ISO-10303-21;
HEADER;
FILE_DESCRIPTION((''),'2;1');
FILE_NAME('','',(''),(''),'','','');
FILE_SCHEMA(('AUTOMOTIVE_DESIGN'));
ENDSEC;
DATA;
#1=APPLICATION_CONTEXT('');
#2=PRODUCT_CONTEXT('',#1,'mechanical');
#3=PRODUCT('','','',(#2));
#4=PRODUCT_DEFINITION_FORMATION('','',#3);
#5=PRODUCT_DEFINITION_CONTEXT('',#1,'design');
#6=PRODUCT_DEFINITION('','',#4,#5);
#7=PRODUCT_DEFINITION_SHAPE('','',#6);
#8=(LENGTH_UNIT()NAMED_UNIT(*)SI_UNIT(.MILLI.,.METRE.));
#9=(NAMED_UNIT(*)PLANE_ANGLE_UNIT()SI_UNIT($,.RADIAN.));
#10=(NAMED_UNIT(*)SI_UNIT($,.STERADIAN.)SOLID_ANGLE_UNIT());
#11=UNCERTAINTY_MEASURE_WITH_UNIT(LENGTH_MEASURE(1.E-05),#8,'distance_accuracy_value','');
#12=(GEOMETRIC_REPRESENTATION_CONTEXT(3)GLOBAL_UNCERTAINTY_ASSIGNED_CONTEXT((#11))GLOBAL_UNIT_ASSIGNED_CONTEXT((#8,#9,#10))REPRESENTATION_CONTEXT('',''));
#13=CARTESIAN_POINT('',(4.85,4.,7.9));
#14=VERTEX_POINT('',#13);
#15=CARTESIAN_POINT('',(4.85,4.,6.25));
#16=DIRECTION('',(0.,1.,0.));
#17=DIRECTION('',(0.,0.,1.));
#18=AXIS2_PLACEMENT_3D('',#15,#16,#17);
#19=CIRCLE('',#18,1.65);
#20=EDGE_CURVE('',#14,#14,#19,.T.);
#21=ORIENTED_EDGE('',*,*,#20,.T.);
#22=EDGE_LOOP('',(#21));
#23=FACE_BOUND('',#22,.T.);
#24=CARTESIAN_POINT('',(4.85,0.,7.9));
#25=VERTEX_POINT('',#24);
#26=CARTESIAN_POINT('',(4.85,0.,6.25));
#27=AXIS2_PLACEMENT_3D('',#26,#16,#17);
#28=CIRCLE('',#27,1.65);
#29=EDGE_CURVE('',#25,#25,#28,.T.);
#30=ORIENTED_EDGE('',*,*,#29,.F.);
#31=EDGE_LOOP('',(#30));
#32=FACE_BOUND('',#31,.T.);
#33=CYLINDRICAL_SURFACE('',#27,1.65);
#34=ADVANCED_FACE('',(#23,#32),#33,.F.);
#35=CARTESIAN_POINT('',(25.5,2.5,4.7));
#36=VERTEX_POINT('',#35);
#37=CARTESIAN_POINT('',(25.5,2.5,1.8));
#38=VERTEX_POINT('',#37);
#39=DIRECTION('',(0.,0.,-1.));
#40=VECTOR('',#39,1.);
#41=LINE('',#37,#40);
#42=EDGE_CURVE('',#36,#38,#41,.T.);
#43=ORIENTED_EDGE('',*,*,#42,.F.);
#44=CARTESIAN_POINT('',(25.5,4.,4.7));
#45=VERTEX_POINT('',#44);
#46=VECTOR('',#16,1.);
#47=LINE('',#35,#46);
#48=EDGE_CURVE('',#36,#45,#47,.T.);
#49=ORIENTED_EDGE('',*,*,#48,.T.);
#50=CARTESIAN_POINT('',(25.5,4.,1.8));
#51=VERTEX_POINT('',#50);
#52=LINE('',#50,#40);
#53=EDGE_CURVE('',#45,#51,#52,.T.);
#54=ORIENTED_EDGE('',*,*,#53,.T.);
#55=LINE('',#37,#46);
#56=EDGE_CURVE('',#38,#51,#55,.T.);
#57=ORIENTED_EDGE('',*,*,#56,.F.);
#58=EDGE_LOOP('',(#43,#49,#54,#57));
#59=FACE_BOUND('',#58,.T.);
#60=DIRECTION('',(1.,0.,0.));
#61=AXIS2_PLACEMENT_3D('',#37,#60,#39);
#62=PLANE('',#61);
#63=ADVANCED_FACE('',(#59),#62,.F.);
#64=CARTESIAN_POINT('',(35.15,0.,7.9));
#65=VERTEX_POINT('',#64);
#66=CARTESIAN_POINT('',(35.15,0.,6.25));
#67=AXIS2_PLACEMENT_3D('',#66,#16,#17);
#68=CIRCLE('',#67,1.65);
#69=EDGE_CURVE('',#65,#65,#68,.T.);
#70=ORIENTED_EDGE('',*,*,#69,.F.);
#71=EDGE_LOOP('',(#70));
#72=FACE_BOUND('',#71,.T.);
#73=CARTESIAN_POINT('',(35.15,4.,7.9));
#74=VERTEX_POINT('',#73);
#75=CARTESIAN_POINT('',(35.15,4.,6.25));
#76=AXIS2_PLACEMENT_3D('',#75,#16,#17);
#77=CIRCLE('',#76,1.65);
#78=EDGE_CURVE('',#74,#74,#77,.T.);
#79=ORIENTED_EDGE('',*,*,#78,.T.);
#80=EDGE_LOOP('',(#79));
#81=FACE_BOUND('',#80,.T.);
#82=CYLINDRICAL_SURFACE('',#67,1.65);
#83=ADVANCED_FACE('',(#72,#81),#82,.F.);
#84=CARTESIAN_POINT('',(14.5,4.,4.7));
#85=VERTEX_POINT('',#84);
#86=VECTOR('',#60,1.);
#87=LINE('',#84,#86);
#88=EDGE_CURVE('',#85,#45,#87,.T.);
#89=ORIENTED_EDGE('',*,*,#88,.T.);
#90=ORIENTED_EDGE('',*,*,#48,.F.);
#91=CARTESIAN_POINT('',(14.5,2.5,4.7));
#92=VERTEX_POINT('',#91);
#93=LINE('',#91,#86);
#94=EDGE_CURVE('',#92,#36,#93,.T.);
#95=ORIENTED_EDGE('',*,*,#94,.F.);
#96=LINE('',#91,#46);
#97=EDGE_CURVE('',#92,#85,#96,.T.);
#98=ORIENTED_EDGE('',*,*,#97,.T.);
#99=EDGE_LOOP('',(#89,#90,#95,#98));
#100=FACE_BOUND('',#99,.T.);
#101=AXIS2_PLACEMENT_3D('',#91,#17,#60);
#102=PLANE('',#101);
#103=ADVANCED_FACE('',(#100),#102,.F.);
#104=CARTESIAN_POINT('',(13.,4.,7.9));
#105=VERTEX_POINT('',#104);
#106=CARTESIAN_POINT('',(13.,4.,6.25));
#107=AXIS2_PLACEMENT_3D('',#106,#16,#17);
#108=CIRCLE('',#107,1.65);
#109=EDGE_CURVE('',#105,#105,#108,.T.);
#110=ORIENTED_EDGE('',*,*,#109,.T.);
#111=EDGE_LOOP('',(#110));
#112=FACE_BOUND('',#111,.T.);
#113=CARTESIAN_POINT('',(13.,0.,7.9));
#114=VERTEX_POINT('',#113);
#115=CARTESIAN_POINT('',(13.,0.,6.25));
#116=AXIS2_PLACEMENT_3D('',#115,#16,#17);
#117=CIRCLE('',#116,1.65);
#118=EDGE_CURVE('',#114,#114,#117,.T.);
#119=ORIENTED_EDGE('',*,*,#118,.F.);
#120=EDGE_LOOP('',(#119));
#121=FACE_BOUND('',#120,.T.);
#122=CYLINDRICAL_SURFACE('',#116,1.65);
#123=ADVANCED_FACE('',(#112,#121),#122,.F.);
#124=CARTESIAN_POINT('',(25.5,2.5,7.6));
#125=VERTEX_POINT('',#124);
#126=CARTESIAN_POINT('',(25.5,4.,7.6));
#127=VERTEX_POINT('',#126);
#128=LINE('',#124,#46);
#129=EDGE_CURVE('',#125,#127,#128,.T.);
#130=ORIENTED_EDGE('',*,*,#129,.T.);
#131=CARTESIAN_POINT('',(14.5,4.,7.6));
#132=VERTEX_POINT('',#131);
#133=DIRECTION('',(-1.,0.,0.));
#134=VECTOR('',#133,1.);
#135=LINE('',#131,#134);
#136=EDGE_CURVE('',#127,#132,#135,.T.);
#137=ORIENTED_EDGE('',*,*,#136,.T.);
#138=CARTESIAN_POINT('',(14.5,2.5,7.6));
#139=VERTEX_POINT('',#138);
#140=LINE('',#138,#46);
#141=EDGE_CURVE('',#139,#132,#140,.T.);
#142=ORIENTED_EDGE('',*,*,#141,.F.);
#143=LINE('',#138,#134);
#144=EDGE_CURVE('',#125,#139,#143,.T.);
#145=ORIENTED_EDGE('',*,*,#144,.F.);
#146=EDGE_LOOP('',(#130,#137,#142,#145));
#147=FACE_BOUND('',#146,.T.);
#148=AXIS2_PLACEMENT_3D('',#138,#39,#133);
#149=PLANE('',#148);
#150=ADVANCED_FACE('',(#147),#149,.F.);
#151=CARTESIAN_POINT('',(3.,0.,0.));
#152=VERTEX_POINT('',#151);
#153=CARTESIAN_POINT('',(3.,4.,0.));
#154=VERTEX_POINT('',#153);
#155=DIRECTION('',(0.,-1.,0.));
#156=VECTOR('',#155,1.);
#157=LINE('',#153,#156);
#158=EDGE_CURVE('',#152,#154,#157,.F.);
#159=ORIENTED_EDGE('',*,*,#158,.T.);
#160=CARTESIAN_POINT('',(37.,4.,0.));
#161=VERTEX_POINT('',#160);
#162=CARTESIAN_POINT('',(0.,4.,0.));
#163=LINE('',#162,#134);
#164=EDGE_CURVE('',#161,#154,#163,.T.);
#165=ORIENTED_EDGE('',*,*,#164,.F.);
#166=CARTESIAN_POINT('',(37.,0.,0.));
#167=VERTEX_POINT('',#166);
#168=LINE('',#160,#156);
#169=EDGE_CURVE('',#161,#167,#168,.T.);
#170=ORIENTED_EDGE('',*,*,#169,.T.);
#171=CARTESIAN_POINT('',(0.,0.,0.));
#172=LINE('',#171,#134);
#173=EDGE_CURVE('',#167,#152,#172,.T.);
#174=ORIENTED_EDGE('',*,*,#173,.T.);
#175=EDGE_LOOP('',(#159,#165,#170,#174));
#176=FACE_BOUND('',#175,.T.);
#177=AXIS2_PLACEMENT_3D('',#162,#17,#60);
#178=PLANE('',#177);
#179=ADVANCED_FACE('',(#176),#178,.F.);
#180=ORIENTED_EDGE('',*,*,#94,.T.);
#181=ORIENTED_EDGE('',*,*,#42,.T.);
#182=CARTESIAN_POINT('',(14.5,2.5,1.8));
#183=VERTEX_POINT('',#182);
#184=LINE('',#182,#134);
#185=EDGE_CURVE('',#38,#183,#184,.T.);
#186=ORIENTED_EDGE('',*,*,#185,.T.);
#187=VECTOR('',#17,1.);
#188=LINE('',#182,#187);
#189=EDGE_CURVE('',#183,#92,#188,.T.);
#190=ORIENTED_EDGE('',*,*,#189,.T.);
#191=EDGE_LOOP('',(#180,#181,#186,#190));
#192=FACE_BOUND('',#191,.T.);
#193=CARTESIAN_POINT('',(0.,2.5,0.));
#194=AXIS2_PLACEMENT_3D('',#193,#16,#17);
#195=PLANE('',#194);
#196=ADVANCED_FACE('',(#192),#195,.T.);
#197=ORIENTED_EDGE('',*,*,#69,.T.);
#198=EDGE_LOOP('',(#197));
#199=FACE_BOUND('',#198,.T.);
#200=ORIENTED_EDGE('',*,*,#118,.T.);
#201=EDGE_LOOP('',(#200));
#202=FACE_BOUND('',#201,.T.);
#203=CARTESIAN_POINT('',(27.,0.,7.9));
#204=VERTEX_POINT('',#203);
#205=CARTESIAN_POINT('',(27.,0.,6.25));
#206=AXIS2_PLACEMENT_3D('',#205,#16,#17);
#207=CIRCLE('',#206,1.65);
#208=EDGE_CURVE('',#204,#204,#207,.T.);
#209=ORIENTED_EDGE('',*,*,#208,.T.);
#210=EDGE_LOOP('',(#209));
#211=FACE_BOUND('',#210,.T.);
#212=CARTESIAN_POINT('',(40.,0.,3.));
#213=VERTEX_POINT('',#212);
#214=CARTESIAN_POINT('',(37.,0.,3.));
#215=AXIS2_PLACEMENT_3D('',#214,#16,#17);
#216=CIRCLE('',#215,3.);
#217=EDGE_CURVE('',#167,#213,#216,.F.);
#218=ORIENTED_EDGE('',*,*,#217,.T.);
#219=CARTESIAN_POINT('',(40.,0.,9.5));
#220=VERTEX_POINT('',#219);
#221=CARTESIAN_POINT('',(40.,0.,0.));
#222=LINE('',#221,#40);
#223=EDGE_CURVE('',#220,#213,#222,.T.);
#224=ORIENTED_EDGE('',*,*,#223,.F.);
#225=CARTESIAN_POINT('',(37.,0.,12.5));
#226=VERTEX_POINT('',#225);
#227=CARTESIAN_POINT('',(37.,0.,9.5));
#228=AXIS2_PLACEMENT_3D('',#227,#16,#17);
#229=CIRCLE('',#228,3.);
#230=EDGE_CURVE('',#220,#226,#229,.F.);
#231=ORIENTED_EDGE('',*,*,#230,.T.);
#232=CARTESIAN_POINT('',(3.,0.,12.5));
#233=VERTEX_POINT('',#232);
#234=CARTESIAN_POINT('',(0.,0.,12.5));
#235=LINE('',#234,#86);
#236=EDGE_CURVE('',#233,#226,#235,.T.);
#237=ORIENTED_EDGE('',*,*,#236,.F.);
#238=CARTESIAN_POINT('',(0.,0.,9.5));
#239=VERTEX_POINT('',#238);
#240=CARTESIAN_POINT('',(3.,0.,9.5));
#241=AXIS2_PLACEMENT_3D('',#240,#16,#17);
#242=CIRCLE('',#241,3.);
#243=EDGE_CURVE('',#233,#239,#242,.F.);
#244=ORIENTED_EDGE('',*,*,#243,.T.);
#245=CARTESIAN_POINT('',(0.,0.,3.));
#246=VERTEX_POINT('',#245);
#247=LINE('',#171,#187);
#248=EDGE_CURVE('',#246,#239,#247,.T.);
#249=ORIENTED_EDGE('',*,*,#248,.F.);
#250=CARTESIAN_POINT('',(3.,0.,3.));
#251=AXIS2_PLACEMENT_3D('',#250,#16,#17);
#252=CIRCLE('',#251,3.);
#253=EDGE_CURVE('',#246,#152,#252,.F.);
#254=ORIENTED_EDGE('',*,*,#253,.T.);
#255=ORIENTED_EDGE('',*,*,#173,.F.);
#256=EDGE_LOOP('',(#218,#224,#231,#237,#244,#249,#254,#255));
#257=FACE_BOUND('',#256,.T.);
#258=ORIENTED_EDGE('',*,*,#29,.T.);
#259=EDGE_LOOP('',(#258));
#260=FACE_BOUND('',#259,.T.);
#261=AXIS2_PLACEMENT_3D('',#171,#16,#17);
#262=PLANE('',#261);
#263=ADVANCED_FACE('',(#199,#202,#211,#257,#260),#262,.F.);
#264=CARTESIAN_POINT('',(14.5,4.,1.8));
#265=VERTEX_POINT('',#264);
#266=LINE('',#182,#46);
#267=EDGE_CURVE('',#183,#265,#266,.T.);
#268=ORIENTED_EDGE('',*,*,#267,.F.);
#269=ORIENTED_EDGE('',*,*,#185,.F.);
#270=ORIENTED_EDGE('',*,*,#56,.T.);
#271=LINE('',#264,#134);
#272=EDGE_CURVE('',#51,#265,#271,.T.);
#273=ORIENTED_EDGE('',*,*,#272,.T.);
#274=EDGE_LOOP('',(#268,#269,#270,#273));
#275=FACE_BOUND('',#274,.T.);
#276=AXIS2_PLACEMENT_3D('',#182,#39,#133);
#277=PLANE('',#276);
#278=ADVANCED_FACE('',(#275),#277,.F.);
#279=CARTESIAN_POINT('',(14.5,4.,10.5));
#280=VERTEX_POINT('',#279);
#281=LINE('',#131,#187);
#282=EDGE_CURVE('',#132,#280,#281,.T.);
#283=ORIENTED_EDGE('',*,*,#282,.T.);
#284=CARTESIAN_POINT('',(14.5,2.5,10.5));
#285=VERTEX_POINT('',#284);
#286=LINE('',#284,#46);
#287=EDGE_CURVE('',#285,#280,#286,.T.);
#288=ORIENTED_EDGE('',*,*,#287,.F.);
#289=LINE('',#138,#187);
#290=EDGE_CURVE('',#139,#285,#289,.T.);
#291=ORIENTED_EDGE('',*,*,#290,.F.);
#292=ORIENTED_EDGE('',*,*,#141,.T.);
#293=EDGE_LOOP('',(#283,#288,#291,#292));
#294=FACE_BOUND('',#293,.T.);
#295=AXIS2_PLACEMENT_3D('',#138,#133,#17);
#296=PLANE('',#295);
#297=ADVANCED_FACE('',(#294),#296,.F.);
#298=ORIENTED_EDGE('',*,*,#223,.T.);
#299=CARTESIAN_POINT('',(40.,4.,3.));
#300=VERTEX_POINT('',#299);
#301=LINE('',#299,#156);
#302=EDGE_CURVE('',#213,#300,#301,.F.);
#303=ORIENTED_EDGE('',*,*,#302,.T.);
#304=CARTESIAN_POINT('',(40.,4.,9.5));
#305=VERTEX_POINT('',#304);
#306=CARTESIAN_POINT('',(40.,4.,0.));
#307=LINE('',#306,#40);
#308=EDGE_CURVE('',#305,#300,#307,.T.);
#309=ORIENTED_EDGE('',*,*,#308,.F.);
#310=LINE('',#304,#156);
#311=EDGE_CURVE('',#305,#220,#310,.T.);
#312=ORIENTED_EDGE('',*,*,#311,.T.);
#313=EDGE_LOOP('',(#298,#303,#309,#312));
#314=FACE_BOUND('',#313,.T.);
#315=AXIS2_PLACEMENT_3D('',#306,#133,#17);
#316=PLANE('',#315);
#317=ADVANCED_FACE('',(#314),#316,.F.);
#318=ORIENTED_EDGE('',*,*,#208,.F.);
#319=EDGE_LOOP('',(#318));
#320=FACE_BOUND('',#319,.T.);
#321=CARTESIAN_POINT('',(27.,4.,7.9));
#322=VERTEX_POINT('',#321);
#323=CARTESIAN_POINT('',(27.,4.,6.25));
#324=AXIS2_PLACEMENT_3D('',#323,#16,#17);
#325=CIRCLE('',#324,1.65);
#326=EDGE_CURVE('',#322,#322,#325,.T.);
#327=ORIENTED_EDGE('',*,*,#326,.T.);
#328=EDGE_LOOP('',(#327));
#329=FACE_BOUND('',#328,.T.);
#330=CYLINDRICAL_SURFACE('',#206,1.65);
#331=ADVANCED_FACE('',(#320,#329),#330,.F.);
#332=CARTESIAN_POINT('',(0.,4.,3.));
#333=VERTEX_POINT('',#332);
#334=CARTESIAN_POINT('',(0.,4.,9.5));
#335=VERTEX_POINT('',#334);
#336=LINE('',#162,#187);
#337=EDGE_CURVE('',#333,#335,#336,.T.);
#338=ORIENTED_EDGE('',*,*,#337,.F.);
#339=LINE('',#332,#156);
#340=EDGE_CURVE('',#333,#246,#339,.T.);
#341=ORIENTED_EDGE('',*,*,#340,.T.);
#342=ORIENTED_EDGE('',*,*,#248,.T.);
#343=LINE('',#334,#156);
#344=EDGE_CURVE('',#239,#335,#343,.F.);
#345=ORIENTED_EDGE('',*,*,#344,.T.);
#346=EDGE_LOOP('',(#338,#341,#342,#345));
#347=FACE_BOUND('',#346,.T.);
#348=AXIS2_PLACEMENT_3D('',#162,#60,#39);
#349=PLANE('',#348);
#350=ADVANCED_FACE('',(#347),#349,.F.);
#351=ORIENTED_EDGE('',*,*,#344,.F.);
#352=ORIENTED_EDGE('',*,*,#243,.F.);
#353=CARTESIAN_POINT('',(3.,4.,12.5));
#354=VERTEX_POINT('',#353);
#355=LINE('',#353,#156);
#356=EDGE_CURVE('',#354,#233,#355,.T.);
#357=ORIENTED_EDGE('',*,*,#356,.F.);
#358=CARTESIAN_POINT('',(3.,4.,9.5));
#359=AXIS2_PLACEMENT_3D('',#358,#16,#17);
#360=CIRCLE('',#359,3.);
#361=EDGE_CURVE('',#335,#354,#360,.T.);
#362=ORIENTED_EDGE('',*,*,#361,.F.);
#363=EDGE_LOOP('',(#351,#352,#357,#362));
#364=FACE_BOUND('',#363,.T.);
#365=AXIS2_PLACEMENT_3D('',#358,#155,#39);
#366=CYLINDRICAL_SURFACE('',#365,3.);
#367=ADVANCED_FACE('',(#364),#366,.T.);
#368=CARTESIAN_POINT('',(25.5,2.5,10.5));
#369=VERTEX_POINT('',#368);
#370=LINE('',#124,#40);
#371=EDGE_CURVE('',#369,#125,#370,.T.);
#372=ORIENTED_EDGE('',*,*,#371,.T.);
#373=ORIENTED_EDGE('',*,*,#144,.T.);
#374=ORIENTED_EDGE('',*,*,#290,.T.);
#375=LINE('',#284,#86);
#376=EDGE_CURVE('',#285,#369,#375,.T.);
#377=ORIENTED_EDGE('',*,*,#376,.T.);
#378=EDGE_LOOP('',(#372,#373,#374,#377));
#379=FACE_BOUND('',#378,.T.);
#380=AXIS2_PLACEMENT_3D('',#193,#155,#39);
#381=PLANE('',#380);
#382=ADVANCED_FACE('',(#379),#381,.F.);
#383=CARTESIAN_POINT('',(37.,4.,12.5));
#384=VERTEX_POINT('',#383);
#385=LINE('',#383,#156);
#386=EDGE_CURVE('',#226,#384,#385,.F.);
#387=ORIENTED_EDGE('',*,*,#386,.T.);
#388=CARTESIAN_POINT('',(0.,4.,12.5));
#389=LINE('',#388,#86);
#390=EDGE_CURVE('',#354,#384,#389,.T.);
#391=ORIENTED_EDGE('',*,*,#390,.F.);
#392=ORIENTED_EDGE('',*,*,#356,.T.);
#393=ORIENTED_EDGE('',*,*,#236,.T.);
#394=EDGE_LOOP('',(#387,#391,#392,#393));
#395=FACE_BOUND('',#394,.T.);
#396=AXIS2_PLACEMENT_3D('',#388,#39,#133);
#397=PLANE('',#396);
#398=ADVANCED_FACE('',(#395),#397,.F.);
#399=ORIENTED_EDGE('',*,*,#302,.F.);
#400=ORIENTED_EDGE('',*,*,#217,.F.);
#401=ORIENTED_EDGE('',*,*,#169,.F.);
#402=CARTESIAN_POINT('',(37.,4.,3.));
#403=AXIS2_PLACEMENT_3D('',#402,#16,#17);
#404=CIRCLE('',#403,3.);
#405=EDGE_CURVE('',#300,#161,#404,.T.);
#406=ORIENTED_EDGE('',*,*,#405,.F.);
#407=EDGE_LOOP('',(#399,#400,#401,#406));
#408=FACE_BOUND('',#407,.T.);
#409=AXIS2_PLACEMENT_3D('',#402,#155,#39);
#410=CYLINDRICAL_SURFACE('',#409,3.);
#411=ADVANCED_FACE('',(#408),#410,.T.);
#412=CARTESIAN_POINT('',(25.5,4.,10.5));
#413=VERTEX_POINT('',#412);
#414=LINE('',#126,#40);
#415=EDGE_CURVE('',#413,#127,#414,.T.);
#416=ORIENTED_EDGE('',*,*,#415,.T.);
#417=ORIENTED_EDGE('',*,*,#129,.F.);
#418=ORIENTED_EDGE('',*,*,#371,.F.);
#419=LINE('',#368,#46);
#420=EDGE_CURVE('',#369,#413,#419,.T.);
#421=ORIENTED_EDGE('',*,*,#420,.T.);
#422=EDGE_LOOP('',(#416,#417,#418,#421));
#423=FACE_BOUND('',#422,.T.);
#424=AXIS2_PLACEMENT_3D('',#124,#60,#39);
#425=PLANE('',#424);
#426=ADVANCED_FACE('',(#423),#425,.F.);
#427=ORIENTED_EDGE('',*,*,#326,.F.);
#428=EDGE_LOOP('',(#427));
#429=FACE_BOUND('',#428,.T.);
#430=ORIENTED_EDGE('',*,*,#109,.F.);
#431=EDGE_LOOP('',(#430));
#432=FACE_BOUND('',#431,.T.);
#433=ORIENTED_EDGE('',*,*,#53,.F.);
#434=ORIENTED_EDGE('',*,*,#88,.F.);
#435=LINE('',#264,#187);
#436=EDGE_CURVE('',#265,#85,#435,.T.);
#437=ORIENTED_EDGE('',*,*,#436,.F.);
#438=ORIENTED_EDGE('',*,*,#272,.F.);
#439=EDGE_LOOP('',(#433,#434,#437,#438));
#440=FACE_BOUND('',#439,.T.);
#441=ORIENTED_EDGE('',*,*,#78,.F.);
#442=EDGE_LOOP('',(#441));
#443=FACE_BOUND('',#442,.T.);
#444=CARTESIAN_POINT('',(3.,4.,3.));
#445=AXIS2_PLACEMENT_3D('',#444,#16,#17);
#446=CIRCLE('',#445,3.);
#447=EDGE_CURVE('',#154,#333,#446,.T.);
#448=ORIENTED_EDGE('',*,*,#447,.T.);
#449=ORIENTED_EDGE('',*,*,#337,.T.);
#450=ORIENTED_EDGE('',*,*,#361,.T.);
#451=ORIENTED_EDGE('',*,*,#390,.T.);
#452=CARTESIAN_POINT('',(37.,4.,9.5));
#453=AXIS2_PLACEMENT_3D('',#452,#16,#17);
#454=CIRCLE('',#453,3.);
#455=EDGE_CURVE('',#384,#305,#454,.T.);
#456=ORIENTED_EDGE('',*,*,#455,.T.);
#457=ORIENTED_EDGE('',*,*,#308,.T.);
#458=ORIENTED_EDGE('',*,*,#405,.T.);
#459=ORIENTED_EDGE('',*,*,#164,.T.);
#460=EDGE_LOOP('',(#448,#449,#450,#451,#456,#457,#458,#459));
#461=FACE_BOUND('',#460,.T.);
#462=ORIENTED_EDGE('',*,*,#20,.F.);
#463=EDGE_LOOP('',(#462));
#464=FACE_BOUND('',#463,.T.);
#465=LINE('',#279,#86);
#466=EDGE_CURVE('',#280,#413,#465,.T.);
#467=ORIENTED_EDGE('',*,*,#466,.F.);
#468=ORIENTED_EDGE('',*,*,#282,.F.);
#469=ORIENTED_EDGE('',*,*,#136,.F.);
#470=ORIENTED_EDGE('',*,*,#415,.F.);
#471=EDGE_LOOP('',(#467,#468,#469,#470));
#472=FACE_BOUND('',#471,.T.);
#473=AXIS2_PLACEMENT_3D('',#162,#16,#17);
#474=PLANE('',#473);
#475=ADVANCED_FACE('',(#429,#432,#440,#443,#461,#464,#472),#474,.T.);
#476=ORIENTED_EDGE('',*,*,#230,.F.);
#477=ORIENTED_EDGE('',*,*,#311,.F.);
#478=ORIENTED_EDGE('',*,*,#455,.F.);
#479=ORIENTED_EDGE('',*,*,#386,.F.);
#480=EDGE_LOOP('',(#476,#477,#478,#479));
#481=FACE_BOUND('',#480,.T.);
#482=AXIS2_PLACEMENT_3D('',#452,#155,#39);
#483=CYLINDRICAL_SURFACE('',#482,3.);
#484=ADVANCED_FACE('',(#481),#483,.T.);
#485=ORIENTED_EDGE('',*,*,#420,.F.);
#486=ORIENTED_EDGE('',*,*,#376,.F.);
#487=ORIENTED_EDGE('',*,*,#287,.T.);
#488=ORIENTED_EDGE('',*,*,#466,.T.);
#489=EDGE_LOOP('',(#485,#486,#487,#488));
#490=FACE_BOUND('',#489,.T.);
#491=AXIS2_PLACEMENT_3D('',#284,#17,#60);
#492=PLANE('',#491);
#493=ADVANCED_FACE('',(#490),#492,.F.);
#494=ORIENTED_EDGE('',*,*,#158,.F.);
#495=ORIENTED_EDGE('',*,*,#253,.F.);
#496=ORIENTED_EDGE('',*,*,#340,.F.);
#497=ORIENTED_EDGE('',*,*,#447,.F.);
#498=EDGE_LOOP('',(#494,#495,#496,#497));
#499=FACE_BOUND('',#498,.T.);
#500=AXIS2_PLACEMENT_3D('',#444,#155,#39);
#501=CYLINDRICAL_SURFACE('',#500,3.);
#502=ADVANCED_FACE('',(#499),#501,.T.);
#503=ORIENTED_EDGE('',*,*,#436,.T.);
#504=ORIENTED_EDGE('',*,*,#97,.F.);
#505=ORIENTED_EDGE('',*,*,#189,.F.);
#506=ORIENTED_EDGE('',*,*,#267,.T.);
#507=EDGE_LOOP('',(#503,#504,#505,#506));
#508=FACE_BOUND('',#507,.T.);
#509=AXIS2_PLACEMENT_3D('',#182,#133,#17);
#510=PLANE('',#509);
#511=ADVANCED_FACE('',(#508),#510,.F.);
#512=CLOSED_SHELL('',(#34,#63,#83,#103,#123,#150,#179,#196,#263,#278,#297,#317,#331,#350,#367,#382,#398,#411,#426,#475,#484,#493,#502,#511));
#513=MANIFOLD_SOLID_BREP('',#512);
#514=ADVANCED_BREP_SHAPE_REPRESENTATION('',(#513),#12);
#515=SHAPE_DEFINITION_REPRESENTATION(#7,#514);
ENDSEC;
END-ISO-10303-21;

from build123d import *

# Parameters (mm, degrees)
SKETCH1_W           = 40
SKETCH1_H           = 12.5
BOSS_EXTRUDE1_DEPTH = 4
SKETCH2_R           = 1.65
CUT_EXTRUDE1_DEPTH  = 43.09809972
SKETCH3_W           = 11
SKETCH3_H           = 2.9
CUT_EXTRUDE2_DEPTH  = 1.5
FILLET1_R           = 3


with BuildPart() as part:
    # Sketch1 → Boss-Extrude1 (new body)
    with BuildSketch(Plane(origin=(0, 0, 0), x_dir=(1, 0, 0), z_dir=(0, 1, 0))):
        with Locations((20, -6.25)):
            Rectangle(SKETCH1_W, SKETCH1_H)
    extrude(amount=BOSS_EXTRUDE1_DEPTH)

    # Sketch2 → Cut-Extrude1 (cut, through all)
    with BuildSketch(Plane(origin=(0, 4, 0), x_dir=(1, 0, 0), z_dir=(0, 1, 0))):
        with Locations(Location((4.85, -6.25, 0), (0, 0, 270))):
            Circle(SKETCH2_R)
        with Locations(Location((13, -6.25, 0), (0, 0, 270))):
            Circle(SKETCH2_R)
        with Locations(Location((27, -6.25, 0), (0, 0, 270))):
            Circle(SKETCH2_R)
        with Locations(Location((35.15, -6.25, 0), (0, 0, 270))):
            Circle(SKETCH2_R)
    extrude(amount=-CUT_EXTRUDE1_DEPTH, mode=Mode.SUBTRACT)

    # Sketch3 → Cut-Extrude2 (cut)
    with BuildSketch(Plane(origin=(0, 4, 0), x_dir=(1, 0, 0), z_dir=(0, 1, 0))):
        with Locations((20, -3.25)):
            Rectangle(SKETCH3_W, SKETCH3_H)
        with Locations((20, -9.05)):
            Rectangle(SKETCH3_W, SKETCH3_H)
    extrude(amount=-CUT_EXTRUDE2_DEPTH, mode=Mode.SUBTRACT)

    # Fillet1
    fillet1_edges = [part.edges().sort_by_distance(p)[0] for p in [
        (0, 2, 0),
        (40, 2, 0),
        (40, 2, 12.5),
        (0, 2, 12.5),
    ]]
    fillet(fillet1_edges, radius=FILLET1_R)


solid = part.part
